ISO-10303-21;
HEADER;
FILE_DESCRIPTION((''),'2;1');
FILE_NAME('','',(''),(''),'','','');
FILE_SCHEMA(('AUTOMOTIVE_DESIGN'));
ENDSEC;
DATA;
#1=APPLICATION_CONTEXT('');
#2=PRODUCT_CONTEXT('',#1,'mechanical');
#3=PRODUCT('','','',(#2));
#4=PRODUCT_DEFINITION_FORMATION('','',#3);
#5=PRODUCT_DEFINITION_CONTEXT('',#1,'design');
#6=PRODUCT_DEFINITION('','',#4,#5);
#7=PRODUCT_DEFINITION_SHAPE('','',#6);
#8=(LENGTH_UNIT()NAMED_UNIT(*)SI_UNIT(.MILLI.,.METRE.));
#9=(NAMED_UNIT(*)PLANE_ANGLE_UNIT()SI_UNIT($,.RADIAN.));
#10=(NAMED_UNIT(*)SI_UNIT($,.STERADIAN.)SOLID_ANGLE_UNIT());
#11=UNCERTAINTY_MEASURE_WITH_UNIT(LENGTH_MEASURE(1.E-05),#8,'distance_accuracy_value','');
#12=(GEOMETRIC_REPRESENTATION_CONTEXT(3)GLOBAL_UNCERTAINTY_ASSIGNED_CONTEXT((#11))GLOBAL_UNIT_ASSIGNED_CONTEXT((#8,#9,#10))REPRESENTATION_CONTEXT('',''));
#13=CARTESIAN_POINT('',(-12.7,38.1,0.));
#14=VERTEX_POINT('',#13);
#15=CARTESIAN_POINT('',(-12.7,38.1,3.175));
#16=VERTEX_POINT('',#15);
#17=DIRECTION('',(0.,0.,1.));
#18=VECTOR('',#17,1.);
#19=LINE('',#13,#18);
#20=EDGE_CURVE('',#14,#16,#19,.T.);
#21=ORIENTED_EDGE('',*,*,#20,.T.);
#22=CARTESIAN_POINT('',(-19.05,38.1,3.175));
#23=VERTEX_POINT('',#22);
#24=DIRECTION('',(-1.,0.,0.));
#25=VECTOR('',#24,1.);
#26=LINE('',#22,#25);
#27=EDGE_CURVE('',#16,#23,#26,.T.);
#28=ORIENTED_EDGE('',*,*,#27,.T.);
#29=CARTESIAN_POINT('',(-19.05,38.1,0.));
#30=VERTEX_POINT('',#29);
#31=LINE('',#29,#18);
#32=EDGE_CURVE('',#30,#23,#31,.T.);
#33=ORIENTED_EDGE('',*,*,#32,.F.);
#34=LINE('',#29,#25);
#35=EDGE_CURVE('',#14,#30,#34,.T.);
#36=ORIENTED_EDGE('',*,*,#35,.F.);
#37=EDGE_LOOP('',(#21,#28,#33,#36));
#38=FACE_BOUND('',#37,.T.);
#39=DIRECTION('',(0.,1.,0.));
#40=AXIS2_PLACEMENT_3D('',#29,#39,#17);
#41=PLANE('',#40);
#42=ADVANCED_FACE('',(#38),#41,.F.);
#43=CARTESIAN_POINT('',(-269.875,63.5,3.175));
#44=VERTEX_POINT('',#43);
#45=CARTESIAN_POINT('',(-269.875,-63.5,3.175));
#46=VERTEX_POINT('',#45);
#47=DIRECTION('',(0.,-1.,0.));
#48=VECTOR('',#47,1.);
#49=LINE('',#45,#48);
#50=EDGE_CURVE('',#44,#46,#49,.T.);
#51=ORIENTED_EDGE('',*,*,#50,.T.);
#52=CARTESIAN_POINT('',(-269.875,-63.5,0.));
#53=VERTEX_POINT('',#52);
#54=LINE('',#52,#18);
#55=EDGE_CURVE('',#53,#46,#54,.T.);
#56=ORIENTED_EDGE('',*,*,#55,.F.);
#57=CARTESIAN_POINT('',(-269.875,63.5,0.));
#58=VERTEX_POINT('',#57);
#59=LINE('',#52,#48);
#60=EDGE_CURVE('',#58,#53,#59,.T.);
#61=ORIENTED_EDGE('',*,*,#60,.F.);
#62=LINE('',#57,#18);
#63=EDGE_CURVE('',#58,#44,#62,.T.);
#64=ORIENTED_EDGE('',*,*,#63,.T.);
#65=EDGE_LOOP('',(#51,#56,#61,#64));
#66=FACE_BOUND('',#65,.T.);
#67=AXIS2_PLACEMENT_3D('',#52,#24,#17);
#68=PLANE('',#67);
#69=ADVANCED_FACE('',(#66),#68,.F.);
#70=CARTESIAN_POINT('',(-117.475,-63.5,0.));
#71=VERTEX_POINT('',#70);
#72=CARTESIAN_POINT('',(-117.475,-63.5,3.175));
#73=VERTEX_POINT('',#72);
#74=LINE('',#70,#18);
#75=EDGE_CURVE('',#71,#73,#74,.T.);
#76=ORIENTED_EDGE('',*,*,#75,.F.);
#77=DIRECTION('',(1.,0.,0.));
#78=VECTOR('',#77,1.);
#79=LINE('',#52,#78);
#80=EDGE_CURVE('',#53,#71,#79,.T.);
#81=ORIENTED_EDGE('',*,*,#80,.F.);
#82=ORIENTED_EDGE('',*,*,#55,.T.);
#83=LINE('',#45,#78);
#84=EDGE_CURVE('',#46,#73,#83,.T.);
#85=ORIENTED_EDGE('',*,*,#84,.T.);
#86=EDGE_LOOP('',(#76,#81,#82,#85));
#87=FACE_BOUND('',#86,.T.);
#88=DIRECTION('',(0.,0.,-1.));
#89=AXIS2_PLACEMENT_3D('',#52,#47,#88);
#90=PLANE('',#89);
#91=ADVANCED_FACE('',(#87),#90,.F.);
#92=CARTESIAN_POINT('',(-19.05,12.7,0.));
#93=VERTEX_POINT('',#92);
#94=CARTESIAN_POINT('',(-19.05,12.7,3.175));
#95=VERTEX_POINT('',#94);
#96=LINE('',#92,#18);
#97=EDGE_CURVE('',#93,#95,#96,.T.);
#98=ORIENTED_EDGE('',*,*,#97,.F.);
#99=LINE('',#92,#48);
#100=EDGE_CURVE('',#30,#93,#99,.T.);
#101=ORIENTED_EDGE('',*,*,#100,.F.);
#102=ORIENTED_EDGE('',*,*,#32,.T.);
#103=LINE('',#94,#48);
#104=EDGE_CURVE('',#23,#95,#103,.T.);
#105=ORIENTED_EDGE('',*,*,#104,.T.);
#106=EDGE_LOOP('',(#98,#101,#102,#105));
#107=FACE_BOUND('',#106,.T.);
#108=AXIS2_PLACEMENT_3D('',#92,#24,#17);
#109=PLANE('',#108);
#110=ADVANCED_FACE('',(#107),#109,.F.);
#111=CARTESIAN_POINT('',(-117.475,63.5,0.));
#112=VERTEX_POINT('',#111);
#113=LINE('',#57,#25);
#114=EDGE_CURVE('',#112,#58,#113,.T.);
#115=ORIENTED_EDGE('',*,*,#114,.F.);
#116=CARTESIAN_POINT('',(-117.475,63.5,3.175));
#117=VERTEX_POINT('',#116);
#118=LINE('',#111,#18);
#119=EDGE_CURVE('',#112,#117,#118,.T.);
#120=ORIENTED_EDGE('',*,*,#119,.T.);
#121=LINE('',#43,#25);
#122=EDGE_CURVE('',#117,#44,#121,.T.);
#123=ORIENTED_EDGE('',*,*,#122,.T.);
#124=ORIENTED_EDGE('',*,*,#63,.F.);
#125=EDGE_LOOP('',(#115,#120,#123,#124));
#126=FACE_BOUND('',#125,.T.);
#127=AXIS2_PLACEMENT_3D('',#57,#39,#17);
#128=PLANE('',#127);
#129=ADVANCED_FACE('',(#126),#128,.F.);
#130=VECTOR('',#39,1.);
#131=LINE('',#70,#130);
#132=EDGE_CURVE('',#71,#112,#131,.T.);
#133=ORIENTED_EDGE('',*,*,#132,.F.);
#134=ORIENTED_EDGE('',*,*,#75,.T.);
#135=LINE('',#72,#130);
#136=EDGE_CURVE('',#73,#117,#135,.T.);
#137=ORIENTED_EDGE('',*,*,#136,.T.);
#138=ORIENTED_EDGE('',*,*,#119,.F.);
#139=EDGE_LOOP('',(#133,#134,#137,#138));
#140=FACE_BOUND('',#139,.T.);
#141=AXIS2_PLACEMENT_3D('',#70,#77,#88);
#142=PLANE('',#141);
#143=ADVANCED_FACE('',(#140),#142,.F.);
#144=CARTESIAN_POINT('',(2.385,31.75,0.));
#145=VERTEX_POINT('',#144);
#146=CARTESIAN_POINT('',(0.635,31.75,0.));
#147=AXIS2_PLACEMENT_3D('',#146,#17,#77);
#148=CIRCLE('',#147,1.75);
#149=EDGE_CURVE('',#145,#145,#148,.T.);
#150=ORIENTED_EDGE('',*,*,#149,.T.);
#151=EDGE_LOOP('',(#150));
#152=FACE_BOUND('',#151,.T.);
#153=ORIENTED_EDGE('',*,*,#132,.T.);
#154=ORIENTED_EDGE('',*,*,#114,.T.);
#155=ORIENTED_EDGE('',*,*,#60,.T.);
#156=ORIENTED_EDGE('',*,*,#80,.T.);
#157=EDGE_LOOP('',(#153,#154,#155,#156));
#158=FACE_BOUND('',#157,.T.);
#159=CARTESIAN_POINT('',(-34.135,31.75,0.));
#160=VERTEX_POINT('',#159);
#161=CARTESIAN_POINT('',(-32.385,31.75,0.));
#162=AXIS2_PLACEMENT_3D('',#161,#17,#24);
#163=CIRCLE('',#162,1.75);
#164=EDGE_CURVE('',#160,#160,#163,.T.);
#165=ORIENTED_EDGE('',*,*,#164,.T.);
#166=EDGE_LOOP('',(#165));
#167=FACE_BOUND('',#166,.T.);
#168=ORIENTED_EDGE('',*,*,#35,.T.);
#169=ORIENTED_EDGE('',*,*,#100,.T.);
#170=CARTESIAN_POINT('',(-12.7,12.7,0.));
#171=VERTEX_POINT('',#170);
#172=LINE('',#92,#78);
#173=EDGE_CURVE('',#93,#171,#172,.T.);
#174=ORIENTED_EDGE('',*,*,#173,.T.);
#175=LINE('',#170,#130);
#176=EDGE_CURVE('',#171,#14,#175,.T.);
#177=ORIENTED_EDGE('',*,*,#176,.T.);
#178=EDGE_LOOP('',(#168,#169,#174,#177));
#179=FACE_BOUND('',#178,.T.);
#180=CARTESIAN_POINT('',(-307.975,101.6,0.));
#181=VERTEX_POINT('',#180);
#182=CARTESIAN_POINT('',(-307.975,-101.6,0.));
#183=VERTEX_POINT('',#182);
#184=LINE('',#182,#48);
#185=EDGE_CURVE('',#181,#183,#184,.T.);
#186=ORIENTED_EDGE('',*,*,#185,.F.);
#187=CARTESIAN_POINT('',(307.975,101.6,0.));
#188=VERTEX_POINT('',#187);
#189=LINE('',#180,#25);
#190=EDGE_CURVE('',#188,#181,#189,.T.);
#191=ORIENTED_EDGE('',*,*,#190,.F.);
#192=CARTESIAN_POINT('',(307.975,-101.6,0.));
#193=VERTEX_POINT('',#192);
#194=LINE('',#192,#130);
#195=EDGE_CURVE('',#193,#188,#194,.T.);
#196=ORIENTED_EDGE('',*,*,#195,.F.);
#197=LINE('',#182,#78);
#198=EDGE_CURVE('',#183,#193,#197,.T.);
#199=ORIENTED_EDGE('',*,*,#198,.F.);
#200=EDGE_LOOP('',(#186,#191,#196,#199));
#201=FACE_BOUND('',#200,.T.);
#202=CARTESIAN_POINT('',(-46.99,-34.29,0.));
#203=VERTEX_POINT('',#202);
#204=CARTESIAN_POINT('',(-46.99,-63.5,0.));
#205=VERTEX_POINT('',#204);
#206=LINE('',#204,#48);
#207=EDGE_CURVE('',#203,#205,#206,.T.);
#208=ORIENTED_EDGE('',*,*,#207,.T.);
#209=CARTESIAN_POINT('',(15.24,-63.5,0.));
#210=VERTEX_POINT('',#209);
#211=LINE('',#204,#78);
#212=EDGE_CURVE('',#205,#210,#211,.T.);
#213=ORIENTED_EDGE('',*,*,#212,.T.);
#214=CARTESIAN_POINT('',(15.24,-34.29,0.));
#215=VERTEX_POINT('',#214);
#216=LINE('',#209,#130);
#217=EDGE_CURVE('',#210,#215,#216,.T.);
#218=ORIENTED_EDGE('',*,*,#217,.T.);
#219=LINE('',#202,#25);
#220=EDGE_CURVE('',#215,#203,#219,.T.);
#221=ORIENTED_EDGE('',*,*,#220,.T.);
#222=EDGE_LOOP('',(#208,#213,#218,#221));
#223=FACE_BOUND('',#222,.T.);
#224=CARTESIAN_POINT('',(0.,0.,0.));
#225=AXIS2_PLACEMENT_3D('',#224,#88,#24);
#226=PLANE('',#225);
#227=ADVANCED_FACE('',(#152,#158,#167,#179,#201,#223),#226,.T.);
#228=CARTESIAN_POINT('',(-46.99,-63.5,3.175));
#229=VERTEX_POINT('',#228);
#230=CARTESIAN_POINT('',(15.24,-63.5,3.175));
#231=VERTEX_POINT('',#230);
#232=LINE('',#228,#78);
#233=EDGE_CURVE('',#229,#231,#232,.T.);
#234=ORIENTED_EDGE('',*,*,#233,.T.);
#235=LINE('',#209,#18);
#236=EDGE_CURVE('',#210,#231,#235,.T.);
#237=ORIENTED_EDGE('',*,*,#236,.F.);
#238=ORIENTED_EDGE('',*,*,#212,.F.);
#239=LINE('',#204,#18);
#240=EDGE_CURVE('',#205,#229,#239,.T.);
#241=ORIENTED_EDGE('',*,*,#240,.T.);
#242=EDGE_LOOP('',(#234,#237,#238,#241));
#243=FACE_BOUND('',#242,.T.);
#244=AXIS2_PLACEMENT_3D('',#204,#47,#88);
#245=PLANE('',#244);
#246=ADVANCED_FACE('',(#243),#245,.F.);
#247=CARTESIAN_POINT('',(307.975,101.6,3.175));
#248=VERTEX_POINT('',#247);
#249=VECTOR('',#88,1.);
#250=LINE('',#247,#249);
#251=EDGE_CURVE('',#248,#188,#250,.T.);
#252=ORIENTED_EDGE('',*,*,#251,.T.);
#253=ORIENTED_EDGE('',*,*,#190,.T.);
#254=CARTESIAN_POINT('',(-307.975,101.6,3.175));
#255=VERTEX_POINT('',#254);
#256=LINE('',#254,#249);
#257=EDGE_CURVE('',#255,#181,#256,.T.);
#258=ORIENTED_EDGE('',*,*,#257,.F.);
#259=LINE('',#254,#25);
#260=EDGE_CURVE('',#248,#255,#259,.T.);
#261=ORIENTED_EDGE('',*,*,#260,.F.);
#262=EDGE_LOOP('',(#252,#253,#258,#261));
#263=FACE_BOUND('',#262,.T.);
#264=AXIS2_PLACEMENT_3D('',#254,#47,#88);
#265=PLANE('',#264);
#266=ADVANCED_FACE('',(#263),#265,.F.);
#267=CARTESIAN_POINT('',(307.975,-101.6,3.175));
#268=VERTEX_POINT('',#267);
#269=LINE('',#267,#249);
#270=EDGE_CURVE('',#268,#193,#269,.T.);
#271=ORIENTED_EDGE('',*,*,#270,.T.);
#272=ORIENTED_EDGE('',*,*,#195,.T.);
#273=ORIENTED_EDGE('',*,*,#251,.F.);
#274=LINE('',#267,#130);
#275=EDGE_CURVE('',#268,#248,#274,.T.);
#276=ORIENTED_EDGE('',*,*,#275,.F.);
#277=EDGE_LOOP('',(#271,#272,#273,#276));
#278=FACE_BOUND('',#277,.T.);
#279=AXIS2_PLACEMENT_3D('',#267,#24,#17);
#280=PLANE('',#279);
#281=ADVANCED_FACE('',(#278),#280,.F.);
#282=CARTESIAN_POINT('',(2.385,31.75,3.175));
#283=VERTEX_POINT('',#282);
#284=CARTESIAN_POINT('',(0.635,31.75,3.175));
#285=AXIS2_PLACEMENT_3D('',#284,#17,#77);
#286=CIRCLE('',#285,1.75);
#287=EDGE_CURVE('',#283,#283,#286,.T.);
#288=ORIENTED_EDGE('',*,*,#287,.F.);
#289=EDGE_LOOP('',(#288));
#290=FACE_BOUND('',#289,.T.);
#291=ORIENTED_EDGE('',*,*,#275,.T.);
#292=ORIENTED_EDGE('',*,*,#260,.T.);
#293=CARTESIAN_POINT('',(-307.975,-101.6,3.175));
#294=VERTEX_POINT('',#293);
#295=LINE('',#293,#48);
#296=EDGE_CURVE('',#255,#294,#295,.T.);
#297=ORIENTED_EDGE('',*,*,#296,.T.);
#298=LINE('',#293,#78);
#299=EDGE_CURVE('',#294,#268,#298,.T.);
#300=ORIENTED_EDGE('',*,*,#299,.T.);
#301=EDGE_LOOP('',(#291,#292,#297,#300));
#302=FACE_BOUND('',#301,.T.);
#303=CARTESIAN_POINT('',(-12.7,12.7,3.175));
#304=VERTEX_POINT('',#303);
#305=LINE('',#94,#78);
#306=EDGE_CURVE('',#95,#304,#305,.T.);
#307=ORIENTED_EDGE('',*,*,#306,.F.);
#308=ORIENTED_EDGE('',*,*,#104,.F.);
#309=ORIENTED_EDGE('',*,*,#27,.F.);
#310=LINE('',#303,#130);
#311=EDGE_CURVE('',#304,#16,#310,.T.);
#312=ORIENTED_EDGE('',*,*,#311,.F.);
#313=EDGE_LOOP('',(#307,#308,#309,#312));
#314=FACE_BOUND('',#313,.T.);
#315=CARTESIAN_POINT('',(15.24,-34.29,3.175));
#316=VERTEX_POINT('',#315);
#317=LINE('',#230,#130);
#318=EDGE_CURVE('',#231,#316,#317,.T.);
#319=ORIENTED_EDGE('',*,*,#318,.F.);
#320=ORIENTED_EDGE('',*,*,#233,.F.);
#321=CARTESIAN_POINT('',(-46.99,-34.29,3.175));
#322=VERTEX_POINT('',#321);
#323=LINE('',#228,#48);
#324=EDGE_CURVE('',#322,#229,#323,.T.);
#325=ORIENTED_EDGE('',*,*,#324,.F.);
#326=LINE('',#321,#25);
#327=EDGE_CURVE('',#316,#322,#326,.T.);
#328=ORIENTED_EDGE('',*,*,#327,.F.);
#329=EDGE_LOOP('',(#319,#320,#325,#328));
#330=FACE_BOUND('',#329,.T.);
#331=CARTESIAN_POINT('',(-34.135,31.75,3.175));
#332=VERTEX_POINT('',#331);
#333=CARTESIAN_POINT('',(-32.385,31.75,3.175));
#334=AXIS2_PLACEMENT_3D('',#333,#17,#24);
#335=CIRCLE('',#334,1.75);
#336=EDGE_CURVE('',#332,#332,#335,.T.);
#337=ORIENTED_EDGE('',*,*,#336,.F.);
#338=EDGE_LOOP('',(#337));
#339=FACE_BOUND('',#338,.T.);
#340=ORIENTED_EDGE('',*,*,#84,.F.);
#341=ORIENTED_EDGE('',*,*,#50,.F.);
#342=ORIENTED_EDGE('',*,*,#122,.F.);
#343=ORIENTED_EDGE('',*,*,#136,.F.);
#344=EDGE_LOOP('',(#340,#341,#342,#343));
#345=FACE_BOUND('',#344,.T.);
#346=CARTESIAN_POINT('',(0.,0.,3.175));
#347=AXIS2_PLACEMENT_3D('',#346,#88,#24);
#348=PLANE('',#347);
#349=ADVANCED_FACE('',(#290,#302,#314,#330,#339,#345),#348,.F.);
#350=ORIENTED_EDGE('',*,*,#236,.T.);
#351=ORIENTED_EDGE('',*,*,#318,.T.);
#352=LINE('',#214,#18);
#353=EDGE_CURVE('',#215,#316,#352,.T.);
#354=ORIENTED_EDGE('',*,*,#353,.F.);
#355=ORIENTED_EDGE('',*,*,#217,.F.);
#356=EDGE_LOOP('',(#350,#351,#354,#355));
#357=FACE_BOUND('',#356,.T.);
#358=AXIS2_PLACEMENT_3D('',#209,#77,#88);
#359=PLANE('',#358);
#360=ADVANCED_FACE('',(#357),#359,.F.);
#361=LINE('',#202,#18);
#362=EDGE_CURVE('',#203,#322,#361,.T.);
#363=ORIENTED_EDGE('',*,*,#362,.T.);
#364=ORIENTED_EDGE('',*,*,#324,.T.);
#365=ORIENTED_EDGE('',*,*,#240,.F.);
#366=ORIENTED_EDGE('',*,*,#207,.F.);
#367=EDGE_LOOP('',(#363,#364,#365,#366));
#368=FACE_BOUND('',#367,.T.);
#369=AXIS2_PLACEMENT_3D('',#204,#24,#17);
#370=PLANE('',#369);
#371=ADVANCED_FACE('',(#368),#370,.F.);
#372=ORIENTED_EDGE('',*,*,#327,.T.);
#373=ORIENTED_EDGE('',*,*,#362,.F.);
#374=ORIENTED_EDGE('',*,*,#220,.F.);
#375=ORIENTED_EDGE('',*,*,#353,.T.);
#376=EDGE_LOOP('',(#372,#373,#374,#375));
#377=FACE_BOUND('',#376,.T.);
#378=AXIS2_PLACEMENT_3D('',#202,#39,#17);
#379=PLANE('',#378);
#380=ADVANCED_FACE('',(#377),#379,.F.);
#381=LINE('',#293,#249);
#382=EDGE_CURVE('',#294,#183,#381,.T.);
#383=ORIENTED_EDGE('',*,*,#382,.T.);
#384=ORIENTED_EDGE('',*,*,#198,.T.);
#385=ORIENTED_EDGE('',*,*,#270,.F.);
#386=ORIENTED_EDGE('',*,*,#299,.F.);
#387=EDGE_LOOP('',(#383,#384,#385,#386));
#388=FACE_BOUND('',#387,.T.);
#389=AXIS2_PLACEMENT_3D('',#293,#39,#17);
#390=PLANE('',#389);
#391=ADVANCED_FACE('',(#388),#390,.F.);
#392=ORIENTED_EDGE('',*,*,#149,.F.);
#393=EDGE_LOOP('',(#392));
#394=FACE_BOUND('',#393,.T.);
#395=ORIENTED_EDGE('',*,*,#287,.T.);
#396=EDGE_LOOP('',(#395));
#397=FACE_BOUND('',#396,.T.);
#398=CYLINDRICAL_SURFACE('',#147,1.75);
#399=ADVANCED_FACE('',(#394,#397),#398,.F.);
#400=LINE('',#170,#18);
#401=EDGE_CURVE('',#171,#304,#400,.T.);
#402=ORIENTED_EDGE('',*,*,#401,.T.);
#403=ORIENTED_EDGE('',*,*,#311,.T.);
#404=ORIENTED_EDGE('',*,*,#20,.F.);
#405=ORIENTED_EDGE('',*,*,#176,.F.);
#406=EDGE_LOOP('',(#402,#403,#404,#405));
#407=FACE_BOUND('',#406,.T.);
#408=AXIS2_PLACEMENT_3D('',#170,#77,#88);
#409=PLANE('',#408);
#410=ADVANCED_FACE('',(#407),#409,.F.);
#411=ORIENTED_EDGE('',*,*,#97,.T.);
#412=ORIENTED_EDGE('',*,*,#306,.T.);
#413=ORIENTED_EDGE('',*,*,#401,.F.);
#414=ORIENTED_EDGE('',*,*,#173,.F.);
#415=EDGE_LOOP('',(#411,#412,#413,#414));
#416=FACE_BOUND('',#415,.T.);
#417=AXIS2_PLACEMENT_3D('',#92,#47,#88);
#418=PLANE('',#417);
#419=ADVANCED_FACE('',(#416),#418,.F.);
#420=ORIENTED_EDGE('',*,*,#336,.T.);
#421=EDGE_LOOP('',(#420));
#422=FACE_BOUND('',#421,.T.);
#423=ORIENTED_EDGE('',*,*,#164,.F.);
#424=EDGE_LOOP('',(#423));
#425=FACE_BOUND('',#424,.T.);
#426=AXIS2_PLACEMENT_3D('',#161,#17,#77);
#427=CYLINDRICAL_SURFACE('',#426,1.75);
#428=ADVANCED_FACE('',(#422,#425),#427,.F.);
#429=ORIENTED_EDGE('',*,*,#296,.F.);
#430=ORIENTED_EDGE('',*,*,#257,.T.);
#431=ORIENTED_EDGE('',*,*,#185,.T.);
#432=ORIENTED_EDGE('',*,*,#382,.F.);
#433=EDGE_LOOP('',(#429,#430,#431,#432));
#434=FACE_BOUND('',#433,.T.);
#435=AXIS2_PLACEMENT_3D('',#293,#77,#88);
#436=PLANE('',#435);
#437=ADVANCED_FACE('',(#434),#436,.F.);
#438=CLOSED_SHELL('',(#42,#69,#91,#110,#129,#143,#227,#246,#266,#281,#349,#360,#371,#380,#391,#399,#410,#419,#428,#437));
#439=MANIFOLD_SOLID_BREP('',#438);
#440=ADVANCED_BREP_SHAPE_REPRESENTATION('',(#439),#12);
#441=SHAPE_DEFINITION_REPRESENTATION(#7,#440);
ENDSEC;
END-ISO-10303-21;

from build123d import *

# Parameters (mm, degrees)
SKETCH1_W           = 615.95
SKETCH1_H           = 203.2
BOSS_EXTRUDE1_DEPTH = 3.175
SKETCH2_W           = 152.4
SKETCH2_H           = 127
CUT_EXTRUDE1_DEPTH  = 325.316575663
SKETCH3_W           = 6.35
SKETCH3_H           = 25.4
CUT_EXTRUDE2_DEPTH  = 325.316575663
SKETCH4_R           = 1.75
CUT_EXTRUDE3_DEPTH  = 325.316575663
SKETCH5_W           = 62.23
SKETCH5_H           = 29.21
CUT_EXTRUDE4_DEPTH  = 325.316575663


with BuildPart() as part:
    # Sketch1 → Boss-Extrude1 (new body)
    with BuildSketch(Plane.XY):
        Rectangle(SKETCH1_W, SKETCH1_H)
    extrude(amount=BOSS_EXTRUDE1_DEPTH)

    # Sketch2 → Cut-Extrude1 (cut, through all)
    with BuildSketch(Plane.XY.offset(3.175)):
        with Locations((-193.675, 0)):
            Rectangle(SKETCH2_W, SKETCH2_H)
    extrude(amount=-CUT_EXTRUDE1_DEPTH, mode=Mode.SUBTRACT)

    # Sketch3 → Cut-Extrude2 (cut, through all)
    with BuildSketch(Plane.XY.offset(3.175)):
        with Locations((-15.875, 25.4)):
            Rectangle(SKETCH3_W, SKETCH3_H)
    extrude(amount=-CUT_EXTRUDE2_DEPTH, mode=Mode.SUBTRACT)

    # Sketch4 → Cut-Extrude3 (cut, through all)
    with BuildSketch(Plane.XY.offset(3.175)):
        with Locations((0.635, 31.75)):
            Circle(SKETCH4_R)
        with Locations(Location((-32.385, 31.75, 0), (0, 0, 180))):
            Circle(SKETCH4_R)
    extrude(amount=-CUT_EXTRUDE3_DEPTH, mode=Mode.SUBTRACT)

    # Sketch5 → Cut-Extrude4 (cut, through all)
    with BuildSketch(Plane.XY.offset(3.175)):
        with Locations((-15.875, -48.895)):
            Rectangle(SKETCH5_W, SKETCH5_H)
    extrude(amount=-CUT_EXTRUDE4_DEPTH, mode=Mode.SUBTRACT)


solid = part.part
